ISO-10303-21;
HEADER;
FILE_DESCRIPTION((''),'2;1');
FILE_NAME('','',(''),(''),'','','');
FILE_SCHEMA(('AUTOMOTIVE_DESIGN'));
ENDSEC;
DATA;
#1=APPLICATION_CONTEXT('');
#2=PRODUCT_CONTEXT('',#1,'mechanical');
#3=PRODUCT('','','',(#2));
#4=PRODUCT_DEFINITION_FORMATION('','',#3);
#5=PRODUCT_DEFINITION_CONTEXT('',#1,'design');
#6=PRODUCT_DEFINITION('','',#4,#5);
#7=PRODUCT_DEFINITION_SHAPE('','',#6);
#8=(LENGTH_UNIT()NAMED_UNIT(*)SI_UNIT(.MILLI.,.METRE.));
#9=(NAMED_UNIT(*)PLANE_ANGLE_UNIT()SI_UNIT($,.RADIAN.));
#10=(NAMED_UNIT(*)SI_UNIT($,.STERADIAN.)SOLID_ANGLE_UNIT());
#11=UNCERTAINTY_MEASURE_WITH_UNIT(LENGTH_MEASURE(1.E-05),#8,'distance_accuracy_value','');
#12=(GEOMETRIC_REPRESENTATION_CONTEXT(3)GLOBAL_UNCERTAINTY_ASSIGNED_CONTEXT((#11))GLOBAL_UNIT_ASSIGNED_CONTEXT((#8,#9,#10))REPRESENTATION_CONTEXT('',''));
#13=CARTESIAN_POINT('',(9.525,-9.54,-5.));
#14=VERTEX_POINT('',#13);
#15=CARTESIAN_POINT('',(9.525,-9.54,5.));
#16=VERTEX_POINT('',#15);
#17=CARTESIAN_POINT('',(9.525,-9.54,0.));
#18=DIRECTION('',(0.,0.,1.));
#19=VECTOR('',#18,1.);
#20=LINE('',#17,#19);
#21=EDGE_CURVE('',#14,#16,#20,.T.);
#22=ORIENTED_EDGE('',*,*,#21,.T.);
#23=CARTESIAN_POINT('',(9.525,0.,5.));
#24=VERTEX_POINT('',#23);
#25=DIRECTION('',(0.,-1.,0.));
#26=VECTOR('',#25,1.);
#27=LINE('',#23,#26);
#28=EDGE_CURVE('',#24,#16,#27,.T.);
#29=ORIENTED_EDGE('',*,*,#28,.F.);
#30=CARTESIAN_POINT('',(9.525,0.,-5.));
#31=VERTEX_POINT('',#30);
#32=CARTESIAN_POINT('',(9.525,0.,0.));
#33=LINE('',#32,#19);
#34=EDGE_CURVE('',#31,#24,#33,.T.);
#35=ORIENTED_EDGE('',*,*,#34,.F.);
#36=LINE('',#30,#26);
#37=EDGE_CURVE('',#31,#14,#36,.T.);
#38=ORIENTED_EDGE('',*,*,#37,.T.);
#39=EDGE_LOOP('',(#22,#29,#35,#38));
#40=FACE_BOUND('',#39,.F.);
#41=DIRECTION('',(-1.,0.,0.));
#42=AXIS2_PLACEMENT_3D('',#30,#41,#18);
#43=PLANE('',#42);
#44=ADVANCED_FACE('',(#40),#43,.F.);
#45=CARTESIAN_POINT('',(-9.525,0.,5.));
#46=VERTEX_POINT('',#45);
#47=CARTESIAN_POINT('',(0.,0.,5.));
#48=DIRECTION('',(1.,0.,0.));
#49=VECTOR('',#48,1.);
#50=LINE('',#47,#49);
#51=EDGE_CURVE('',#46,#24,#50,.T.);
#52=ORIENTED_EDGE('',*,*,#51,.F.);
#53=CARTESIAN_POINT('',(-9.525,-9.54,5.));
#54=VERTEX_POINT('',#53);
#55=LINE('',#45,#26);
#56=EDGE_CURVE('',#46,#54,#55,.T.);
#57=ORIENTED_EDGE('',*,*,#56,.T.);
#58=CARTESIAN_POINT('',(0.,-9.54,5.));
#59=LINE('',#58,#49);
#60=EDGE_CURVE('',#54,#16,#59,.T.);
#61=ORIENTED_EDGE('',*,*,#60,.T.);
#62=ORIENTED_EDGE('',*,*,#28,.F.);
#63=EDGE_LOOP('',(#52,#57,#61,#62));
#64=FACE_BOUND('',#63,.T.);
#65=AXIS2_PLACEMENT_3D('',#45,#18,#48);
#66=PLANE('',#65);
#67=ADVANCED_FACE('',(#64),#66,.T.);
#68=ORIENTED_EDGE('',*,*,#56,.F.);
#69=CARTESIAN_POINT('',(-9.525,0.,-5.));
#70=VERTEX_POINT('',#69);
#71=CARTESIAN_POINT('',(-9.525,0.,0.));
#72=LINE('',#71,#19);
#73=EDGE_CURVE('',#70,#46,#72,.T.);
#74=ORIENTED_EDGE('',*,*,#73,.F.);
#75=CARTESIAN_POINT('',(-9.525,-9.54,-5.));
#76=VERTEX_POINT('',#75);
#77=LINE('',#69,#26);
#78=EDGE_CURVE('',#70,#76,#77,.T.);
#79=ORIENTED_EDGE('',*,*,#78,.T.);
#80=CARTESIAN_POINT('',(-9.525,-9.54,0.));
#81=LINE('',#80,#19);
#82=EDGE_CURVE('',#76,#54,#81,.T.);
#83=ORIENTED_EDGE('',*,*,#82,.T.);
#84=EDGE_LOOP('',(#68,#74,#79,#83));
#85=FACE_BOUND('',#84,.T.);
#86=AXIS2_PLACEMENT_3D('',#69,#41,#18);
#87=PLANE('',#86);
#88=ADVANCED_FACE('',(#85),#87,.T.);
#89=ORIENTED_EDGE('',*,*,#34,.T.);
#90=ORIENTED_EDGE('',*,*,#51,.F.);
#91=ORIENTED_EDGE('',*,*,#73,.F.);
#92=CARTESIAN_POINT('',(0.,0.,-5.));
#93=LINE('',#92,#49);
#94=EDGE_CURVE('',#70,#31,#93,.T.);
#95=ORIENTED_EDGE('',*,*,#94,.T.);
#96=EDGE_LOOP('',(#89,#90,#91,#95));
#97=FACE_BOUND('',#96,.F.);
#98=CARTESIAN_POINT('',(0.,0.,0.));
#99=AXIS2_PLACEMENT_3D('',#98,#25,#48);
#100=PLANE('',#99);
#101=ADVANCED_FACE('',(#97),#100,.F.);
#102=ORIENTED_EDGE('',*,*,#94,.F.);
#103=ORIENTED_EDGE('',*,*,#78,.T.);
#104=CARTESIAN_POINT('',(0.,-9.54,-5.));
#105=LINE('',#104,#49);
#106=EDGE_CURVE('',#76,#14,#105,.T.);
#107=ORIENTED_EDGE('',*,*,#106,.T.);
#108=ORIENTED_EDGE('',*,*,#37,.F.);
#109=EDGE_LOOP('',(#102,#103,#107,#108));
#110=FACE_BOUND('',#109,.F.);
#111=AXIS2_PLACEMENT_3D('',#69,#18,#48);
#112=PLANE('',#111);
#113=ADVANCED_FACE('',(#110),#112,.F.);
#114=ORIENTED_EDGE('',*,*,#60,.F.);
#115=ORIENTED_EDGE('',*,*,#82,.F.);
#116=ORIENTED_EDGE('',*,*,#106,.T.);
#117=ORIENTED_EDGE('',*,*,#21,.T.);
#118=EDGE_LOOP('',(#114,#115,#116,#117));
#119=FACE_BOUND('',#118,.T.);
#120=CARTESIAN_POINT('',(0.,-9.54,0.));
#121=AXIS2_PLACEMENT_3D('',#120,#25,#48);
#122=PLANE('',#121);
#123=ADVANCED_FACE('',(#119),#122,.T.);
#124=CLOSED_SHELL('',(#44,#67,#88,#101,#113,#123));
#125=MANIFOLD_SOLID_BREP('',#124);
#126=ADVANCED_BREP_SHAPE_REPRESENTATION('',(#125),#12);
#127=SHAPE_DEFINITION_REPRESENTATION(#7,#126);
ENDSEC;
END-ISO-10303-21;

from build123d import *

# Parameters (mm, degrees)
SKETCH_W  = 19.05
SKETCH_H  = 10
PAD_DEPTH = 9.54


with BuildPart() as part:
    # Sketch → Pad (new body)
    with BuildSketch(Plane.XZ):
        Rectangle(SKETCH_W, SKETCH_H)
    extrude(amount=PAD_DEPTH)


solid = part.part
